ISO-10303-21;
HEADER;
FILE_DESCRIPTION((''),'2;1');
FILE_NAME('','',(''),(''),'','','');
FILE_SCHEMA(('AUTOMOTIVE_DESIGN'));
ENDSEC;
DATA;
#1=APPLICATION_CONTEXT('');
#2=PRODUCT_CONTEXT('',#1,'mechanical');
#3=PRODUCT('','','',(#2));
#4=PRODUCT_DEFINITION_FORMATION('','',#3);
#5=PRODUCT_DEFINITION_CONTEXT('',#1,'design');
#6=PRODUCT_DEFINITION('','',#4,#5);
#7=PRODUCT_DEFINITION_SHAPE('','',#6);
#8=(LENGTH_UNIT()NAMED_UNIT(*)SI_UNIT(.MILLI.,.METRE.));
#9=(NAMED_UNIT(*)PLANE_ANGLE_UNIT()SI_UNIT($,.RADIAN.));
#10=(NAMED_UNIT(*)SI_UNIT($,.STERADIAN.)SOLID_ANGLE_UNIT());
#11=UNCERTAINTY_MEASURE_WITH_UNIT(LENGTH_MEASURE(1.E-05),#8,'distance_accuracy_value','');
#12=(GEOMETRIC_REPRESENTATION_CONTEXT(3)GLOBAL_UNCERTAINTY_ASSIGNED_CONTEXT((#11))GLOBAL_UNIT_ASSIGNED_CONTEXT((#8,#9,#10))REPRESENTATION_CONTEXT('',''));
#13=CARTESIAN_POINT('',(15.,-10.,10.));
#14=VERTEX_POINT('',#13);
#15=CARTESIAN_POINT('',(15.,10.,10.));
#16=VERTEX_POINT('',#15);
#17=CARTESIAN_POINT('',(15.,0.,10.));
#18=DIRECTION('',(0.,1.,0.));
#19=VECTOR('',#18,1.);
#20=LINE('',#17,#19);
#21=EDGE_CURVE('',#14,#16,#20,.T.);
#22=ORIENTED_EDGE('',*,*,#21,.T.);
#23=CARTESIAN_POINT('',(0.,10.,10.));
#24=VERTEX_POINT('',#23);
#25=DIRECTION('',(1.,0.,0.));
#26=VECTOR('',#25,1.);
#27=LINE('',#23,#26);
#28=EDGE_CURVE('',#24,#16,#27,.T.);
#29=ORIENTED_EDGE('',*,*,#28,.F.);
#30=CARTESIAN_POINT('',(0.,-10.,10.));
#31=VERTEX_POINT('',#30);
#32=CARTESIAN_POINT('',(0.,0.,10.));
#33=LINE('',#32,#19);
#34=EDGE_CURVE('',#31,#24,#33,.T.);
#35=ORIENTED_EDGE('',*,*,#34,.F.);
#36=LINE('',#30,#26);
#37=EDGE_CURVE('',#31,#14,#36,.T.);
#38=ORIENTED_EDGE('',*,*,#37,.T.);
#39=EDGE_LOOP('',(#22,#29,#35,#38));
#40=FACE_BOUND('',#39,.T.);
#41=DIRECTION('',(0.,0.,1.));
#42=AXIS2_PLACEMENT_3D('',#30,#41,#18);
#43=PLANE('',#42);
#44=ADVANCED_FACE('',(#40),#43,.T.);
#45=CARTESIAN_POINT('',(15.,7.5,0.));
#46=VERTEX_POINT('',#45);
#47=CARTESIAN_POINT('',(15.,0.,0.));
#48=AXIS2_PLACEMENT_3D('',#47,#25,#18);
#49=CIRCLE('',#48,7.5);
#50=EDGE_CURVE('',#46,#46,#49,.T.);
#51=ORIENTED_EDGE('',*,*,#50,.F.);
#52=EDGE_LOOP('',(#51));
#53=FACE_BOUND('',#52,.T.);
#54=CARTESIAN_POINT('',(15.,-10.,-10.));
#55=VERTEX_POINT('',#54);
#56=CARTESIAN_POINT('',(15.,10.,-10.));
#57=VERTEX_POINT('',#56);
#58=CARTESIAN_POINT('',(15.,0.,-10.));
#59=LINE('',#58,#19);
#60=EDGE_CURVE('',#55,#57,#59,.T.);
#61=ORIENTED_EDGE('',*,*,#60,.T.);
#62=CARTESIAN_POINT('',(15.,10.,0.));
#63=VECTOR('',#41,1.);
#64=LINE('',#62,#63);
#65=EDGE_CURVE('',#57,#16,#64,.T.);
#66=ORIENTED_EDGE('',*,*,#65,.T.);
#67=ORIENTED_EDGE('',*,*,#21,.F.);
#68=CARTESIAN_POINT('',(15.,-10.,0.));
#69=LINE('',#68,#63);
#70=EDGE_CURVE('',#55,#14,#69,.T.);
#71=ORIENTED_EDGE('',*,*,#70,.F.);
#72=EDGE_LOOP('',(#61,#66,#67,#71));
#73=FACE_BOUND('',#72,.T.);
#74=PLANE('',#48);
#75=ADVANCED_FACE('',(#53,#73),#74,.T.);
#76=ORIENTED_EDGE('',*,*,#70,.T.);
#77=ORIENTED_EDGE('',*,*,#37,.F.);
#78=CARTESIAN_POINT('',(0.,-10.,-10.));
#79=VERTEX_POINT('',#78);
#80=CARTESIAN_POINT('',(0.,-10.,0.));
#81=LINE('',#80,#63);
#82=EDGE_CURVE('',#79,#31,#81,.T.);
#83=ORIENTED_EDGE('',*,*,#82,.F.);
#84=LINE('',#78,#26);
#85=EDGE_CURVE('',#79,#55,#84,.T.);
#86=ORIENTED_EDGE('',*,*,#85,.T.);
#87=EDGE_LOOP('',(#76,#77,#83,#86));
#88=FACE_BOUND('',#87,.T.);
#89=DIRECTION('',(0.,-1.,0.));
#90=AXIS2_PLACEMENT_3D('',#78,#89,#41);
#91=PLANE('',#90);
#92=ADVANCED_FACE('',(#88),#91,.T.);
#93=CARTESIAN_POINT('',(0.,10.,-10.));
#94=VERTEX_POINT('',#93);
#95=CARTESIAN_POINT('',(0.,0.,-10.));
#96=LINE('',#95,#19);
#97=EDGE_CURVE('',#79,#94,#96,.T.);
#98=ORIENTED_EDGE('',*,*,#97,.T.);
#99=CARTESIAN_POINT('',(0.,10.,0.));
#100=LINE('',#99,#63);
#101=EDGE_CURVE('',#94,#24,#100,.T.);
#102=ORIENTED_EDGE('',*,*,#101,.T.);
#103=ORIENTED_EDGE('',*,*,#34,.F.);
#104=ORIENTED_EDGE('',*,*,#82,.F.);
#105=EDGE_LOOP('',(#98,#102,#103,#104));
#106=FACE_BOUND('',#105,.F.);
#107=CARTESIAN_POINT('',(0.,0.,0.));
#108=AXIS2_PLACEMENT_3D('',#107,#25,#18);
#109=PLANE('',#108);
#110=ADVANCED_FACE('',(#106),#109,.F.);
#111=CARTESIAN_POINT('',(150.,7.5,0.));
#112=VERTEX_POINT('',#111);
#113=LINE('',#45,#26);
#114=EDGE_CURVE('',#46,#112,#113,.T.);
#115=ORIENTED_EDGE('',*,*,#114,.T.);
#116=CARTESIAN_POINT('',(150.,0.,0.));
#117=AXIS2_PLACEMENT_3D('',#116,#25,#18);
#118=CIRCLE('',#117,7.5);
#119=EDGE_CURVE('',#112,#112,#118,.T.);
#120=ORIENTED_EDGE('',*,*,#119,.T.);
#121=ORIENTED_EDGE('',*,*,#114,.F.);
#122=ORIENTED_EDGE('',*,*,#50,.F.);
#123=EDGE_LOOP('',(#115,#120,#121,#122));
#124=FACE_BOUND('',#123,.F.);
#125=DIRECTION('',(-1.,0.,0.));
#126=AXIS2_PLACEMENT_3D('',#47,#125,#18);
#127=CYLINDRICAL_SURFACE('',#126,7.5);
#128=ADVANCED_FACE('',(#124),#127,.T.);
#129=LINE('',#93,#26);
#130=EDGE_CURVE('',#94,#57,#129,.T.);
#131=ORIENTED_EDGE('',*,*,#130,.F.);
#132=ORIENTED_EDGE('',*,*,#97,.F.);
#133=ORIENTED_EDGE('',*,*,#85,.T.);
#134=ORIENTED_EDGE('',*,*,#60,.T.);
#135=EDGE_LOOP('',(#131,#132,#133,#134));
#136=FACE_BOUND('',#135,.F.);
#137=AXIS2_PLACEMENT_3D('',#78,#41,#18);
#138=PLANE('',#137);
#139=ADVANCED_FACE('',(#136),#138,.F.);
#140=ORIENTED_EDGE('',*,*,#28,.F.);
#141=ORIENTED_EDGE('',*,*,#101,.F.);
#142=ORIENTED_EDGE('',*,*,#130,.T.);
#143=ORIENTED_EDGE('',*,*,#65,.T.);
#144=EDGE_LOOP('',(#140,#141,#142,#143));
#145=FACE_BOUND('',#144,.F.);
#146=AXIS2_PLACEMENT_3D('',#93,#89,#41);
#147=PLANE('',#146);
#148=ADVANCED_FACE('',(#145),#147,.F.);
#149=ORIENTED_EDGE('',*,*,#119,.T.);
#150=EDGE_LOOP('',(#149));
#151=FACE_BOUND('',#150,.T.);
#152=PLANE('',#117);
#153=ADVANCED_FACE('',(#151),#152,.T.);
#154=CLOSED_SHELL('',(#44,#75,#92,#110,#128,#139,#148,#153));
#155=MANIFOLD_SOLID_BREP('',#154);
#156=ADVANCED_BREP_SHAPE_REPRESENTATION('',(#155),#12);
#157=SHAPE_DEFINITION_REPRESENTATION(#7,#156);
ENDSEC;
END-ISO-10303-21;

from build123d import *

# Parameters (mm, degrees)
F0_W     = 20
F0_H     = 20
F1_DEPTH = 15
F2_R     = 7.5
F3_DEPTH = 135


with BuildPart() as f1:
    # F0 (on Right) → F1 (new body)
    with BuildSketch(Plane.YZ):
        Rectangle(F0_W, F0_H)
    extrude(amount=F1_DEPTH)

    # F2 (on face) → F3 (join)
    with BuildSketch(Plane.YZ.offset(15)):
        Circle(F2_R)
    extrude(amount=F3_DEPTH)


solid = f1.part
